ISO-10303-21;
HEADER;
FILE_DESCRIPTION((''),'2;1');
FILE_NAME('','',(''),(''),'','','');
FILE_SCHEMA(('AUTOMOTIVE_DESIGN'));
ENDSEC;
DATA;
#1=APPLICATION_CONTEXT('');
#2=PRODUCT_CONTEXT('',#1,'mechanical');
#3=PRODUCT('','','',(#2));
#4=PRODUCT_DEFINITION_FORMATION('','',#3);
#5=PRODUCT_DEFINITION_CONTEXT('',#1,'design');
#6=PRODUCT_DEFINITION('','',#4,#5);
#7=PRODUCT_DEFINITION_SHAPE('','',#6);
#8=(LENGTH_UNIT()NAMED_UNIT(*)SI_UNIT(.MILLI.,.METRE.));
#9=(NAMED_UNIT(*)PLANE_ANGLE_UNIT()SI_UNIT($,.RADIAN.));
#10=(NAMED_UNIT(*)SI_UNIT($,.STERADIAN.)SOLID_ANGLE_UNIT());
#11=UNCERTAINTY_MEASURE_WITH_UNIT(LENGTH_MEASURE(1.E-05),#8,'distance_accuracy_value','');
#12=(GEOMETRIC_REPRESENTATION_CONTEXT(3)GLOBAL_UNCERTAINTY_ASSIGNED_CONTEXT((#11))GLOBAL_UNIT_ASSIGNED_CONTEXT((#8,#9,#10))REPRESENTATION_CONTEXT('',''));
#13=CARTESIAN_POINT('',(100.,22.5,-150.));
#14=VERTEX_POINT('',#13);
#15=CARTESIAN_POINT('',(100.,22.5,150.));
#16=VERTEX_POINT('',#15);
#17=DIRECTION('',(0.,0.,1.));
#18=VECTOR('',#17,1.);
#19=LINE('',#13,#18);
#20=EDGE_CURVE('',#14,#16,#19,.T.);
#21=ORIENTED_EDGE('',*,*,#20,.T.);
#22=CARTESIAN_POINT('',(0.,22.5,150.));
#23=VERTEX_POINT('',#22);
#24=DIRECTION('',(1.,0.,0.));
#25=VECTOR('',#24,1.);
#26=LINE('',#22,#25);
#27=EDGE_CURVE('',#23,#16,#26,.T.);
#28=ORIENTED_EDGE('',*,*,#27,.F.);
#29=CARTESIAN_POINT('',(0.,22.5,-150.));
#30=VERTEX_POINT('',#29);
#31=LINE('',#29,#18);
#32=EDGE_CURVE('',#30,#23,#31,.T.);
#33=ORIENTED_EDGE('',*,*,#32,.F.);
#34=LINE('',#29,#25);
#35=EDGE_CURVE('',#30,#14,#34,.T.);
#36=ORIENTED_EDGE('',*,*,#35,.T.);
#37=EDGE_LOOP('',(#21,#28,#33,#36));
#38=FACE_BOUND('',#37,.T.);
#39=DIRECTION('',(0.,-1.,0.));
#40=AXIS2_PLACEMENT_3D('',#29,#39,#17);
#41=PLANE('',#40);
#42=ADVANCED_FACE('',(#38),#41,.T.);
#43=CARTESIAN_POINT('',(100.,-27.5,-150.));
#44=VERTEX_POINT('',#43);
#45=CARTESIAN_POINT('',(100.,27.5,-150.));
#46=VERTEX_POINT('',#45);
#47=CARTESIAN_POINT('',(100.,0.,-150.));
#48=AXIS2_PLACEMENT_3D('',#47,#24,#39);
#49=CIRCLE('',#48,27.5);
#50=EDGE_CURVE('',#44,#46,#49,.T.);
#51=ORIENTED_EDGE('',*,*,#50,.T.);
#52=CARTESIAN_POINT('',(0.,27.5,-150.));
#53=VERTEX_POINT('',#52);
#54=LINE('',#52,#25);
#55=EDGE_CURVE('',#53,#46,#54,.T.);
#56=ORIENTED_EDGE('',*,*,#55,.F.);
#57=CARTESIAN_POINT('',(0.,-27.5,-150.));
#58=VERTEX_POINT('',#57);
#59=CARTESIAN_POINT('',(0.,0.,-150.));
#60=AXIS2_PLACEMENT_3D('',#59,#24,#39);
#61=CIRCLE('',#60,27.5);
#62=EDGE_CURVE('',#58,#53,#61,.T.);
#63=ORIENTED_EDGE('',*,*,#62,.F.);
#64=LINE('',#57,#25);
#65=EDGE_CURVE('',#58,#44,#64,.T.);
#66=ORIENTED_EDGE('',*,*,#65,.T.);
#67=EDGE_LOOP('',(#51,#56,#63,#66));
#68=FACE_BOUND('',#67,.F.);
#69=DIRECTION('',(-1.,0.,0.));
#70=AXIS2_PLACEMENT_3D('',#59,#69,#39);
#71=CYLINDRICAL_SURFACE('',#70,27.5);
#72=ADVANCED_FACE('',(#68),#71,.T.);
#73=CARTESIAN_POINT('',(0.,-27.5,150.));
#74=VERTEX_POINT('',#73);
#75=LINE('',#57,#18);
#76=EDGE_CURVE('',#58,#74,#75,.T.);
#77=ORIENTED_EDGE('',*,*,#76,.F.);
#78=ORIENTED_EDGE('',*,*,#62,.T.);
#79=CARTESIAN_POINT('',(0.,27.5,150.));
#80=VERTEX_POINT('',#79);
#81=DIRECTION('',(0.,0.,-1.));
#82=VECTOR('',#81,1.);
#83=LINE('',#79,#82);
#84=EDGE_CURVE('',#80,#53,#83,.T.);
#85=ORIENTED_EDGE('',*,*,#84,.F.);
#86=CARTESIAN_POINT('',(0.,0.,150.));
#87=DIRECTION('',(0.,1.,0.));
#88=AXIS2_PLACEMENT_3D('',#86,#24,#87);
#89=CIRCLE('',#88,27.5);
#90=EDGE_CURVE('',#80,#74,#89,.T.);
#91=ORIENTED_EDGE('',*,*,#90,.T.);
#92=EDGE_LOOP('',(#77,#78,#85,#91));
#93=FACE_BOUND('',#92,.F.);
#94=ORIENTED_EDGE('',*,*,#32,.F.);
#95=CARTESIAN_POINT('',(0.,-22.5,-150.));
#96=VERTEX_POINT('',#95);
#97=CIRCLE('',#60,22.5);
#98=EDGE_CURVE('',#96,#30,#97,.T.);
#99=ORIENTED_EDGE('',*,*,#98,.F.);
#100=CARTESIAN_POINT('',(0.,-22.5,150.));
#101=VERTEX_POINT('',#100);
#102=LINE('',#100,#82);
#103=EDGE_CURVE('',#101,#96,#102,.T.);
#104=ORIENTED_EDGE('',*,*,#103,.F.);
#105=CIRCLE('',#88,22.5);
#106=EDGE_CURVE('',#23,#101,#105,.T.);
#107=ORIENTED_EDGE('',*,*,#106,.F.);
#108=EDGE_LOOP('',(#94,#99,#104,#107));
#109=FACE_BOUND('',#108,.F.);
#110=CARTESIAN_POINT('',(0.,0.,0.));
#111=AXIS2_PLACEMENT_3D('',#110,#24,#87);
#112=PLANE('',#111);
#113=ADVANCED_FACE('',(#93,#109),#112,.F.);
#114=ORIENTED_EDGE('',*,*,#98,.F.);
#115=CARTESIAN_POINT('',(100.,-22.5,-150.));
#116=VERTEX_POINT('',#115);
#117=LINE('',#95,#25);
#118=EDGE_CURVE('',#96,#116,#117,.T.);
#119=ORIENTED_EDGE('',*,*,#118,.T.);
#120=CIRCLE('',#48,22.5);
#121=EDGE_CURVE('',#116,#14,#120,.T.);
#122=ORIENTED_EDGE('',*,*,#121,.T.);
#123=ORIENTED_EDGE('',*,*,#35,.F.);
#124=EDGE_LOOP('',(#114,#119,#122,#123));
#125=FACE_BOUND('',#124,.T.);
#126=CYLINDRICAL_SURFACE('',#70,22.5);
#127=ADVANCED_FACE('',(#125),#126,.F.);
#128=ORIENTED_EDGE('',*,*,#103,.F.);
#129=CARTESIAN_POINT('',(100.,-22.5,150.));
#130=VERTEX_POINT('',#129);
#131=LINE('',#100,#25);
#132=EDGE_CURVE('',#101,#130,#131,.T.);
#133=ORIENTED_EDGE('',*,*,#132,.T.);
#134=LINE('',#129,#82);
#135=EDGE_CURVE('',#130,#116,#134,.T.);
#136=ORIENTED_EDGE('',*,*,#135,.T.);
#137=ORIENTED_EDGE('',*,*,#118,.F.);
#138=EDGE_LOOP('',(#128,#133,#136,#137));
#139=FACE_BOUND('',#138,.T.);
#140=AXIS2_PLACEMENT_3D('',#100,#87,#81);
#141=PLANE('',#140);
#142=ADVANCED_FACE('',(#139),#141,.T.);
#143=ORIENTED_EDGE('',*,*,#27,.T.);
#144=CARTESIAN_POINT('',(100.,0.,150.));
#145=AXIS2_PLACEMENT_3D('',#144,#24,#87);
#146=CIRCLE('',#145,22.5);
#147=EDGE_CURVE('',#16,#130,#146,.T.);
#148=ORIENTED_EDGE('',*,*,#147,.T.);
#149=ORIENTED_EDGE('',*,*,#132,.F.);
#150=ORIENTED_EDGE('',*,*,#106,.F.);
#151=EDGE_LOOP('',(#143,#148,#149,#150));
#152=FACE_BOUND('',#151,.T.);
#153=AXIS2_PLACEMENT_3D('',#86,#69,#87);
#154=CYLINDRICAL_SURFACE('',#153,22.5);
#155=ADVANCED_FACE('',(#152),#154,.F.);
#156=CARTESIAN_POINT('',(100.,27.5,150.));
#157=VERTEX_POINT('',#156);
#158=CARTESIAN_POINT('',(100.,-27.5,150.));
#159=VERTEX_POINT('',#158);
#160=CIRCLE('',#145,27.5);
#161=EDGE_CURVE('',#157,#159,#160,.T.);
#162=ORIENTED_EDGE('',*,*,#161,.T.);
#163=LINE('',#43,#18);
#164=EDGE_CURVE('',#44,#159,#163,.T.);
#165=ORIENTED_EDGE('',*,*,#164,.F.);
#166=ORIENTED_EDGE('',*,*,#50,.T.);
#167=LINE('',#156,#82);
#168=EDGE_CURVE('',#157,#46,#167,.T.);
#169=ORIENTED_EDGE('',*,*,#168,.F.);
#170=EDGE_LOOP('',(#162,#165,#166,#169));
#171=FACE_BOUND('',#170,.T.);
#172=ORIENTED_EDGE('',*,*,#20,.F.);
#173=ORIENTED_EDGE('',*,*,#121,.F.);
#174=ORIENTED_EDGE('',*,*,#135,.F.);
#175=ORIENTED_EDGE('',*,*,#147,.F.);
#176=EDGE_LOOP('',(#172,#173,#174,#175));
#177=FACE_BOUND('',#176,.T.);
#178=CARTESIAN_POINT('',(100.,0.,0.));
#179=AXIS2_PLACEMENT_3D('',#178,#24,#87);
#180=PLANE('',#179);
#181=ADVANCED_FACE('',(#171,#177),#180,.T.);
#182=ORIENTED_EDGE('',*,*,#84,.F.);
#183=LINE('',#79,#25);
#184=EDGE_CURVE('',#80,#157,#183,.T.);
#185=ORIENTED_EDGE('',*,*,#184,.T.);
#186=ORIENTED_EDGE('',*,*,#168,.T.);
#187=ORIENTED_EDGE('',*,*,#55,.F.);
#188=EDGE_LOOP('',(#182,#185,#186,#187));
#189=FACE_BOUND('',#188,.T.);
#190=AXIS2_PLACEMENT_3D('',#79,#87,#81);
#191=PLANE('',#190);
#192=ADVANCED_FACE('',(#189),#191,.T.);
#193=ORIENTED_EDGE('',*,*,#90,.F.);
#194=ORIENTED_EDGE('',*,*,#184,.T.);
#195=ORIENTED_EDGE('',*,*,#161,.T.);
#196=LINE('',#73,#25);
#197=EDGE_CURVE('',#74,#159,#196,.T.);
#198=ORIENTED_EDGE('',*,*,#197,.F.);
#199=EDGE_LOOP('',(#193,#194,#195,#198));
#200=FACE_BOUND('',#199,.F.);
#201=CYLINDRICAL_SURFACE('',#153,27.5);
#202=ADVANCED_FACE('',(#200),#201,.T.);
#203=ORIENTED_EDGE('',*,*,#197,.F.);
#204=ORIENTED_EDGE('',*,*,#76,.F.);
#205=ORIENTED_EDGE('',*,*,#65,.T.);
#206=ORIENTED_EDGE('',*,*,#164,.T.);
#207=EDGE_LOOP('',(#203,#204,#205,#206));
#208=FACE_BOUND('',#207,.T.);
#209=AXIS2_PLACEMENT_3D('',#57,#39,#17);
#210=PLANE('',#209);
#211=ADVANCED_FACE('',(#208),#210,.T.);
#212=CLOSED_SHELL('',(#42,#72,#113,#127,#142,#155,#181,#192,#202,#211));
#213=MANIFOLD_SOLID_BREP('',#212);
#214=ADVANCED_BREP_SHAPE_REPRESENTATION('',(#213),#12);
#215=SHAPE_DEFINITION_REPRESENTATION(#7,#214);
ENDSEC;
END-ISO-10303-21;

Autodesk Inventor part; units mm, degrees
ref_plane "YZ Plane" through (0, 0, 0) normal (1, 0, 0) x (0, 1, 0)
ref_plane "XZ Plane" through (0, 0, 0) normal (0, 1, 0) x (-1, 0, 0)
ref_plane "XY Plane" through (0, 0, 0) normal (0, 0, 1) x (1, 0, 0)
sketch "Sketch1" plane through (0, 0, 0) normal (1, 0, 0) x (0, 1, 0)
  line L0 (0, 150) -> (0, -150) construction
  line L1 (-22.5, 150) -> (-22.5, -150)
  line L2 (22.5, -150) -> (22.5, 150)
  arc A0 (22.5, 150) -> (-22.5, 150) centre (0, 150) ccw
  arc A1 (-22.5, -150) -> (22.5, -150) centre (0, -150) ccw
  line L3 (27.5, 150) -> (27.5, -150)
  arc A2 (-27.5, -150) -> (27.5, -150) centre (0, -150) ccw
  line L4 (-27.5, -150) -> (-27.5, 150)
  arc A3 (27.5, 150) -> (-27.5, 150) centre (0, 150) ccw
  point P0 (0, 0)
  dimension "d0" = 150
  dimension "d1" = 45
  dimension "d2" = 5
extrude "Extrusion1" add sketch "Sketch1" along normal blind 100
properties part number "Conveyor Belt New" material "Rubber, Silicone"
